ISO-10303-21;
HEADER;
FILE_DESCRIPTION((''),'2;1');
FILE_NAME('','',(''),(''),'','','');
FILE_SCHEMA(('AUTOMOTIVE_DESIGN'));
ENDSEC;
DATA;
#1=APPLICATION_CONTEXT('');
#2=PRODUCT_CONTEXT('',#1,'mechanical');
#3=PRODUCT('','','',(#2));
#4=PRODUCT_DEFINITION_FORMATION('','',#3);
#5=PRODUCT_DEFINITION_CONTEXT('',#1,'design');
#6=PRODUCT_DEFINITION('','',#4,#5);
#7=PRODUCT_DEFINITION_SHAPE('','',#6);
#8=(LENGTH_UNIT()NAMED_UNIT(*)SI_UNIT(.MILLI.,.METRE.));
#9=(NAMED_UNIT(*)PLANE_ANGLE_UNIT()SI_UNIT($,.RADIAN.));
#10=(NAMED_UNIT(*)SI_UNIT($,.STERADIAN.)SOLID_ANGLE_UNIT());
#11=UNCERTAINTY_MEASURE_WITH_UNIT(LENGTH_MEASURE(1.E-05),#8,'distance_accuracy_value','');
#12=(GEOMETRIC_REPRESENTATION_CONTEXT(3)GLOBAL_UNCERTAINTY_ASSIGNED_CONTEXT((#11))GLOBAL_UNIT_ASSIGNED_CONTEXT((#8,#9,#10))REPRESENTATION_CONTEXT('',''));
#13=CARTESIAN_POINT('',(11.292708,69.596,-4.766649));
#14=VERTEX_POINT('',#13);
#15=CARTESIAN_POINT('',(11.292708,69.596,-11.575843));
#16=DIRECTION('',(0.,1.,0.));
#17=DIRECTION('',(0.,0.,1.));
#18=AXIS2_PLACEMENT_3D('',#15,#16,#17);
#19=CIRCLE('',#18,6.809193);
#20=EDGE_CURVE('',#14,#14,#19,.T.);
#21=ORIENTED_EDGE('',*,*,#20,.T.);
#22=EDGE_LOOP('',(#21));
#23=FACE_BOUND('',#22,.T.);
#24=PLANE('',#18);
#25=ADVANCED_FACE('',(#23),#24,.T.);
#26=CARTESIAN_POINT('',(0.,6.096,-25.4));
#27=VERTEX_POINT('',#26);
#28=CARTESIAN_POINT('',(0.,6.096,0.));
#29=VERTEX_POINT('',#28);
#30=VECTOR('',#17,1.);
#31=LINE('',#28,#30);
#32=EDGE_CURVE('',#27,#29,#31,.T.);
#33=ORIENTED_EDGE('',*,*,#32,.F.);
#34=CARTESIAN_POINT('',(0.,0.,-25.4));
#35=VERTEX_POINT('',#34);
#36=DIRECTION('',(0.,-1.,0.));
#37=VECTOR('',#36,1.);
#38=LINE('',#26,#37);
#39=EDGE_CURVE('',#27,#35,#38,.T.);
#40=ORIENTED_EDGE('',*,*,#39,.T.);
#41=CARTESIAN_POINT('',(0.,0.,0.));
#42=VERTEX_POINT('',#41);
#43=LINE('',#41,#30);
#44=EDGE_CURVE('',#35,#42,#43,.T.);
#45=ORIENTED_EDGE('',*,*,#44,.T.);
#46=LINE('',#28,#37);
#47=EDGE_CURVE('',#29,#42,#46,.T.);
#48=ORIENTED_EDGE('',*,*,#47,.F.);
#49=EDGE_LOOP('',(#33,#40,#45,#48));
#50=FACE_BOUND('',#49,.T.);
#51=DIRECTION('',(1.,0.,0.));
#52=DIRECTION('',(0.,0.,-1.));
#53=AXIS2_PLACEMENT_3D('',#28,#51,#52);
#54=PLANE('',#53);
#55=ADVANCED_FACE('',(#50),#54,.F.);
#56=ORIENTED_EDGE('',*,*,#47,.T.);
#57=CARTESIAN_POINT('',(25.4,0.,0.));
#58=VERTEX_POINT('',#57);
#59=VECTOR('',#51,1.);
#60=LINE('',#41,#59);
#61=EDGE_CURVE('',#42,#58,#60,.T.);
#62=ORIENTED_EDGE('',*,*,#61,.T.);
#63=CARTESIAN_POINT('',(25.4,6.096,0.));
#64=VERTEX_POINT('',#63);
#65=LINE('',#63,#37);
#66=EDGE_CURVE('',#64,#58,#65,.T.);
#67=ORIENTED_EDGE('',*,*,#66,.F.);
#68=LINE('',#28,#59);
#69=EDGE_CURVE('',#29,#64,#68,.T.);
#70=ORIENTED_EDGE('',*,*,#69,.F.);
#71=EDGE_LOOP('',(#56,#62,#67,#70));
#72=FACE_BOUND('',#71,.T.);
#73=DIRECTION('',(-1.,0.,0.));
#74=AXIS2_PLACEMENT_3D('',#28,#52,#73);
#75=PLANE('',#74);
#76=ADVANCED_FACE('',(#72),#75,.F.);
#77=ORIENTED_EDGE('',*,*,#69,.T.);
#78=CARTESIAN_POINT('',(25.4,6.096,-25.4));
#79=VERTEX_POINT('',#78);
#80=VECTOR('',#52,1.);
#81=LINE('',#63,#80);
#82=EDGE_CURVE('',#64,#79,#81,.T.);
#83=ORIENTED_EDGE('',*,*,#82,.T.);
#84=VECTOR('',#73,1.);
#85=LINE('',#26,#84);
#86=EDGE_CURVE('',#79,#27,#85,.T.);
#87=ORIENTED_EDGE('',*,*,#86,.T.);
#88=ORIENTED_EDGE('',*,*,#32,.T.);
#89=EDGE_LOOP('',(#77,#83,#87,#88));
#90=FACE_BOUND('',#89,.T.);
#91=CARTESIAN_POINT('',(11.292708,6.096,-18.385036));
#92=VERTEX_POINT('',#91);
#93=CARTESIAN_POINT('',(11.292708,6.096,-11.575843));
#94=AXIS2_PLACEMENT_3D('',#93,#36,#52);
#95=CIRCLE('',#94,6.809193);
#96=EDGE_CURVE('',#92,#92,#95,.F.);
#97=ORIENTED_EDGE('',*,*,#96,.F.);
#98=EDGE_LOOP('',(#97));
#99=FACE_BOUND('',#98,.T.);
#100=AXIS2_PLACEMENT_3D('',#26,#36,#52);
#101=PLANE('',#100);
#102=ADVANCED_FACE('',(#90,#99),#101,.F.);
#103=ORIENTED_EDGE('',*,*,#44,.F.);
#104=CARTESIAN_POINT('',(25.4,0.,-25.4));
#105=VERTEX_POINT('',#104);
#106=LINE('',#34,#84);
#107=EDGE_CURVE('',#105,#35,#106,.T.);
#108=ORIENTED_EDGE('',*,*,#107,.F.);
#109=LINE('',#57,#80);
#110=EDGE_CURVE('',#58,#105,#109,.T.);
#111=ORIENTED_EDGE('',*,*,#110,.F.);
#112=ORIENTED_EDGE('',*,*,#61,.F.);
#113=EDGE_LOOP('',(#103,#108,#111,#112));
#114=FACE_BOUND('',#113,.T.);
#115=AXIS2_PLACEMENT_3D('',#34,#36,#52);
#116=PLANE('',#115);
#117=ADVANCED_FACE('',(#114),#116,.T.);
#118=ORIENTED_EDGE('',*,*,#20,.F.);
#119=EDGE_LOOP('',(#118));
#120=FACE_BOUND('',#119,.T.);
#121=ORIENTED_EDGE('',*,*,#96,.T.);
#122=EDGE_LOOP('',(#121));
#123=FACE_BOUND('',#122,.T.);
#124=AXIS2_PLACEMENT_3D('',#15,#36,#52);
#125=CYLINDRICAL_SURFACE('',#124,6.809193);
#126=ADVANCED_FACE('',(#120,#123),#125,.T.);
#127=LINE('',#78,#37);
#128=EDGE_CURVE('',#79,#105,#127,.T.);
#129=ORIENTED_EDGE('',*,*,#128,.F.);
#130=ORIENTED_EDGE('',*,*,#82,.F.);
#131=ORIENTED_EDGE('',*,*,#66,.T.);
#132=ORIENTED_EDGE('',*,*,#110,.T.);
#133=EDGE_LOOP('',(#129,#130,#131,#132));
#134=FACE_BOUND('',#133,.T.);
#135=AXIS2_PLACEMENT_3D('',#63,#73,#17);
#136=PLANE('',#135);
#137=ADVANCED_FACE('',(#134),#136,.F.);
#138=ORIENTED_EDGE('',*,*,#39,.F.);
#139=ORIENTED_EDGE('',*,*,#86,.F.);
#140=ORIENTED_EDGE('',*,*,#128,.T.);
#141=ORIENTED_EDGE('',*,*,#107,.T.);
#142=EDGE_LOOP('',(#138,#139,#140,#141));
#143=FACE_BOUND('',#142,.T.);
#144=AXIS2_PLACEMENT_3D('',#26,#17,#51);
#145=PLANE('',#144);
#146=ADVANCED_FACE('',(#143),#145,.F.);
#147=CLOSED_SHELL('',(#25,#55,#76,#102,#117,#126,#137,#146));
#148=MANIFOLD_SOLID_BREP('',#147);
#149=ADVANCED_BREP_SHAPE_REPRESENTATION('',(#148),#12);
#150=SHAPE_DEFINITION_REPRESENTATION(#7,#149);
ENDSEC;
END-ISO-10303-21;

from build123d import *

# Parameters (mm, degrees)
SKETCH1_W           = 25.4
SKETCH1_H           = 25.4
BOSS_EXTRUDE1_DEPTH = 6.096
SKETCH2_R           = 6.809193443
BOSS_EXTRUDE2_DEPTH = 63.5


with BuildPart() as part:
    # Sketch1 → Boss-Extrude1 (new body)
    with BuildSketch(Plane(origin=(0, 0, 0), x_dir=(1, 0, 0), z_dir=(0, 1, 0))):
        with Locations((12.7, 12.7)):
            Rectangle(SKETCH1_W, SKETCH1_H)
    extrude(amount=BOSS_EXTRUDE1_DEPTH)

    # Sketch2 → Boss-Extrude2 (add)
    with BuildSketch(Plane(origin=(0, 6.096, 0), x_dir=(1, 0, 0), z_dir=(0, 1, 0))):
        with Locations(Location((11.292707797, 11.575842774, 0), (0, 0, 90))):
            Circle(SKETCH2_R)
    extrude(amount=BOSS_EXTRUDE2_DEPTH)


solid = part.part
